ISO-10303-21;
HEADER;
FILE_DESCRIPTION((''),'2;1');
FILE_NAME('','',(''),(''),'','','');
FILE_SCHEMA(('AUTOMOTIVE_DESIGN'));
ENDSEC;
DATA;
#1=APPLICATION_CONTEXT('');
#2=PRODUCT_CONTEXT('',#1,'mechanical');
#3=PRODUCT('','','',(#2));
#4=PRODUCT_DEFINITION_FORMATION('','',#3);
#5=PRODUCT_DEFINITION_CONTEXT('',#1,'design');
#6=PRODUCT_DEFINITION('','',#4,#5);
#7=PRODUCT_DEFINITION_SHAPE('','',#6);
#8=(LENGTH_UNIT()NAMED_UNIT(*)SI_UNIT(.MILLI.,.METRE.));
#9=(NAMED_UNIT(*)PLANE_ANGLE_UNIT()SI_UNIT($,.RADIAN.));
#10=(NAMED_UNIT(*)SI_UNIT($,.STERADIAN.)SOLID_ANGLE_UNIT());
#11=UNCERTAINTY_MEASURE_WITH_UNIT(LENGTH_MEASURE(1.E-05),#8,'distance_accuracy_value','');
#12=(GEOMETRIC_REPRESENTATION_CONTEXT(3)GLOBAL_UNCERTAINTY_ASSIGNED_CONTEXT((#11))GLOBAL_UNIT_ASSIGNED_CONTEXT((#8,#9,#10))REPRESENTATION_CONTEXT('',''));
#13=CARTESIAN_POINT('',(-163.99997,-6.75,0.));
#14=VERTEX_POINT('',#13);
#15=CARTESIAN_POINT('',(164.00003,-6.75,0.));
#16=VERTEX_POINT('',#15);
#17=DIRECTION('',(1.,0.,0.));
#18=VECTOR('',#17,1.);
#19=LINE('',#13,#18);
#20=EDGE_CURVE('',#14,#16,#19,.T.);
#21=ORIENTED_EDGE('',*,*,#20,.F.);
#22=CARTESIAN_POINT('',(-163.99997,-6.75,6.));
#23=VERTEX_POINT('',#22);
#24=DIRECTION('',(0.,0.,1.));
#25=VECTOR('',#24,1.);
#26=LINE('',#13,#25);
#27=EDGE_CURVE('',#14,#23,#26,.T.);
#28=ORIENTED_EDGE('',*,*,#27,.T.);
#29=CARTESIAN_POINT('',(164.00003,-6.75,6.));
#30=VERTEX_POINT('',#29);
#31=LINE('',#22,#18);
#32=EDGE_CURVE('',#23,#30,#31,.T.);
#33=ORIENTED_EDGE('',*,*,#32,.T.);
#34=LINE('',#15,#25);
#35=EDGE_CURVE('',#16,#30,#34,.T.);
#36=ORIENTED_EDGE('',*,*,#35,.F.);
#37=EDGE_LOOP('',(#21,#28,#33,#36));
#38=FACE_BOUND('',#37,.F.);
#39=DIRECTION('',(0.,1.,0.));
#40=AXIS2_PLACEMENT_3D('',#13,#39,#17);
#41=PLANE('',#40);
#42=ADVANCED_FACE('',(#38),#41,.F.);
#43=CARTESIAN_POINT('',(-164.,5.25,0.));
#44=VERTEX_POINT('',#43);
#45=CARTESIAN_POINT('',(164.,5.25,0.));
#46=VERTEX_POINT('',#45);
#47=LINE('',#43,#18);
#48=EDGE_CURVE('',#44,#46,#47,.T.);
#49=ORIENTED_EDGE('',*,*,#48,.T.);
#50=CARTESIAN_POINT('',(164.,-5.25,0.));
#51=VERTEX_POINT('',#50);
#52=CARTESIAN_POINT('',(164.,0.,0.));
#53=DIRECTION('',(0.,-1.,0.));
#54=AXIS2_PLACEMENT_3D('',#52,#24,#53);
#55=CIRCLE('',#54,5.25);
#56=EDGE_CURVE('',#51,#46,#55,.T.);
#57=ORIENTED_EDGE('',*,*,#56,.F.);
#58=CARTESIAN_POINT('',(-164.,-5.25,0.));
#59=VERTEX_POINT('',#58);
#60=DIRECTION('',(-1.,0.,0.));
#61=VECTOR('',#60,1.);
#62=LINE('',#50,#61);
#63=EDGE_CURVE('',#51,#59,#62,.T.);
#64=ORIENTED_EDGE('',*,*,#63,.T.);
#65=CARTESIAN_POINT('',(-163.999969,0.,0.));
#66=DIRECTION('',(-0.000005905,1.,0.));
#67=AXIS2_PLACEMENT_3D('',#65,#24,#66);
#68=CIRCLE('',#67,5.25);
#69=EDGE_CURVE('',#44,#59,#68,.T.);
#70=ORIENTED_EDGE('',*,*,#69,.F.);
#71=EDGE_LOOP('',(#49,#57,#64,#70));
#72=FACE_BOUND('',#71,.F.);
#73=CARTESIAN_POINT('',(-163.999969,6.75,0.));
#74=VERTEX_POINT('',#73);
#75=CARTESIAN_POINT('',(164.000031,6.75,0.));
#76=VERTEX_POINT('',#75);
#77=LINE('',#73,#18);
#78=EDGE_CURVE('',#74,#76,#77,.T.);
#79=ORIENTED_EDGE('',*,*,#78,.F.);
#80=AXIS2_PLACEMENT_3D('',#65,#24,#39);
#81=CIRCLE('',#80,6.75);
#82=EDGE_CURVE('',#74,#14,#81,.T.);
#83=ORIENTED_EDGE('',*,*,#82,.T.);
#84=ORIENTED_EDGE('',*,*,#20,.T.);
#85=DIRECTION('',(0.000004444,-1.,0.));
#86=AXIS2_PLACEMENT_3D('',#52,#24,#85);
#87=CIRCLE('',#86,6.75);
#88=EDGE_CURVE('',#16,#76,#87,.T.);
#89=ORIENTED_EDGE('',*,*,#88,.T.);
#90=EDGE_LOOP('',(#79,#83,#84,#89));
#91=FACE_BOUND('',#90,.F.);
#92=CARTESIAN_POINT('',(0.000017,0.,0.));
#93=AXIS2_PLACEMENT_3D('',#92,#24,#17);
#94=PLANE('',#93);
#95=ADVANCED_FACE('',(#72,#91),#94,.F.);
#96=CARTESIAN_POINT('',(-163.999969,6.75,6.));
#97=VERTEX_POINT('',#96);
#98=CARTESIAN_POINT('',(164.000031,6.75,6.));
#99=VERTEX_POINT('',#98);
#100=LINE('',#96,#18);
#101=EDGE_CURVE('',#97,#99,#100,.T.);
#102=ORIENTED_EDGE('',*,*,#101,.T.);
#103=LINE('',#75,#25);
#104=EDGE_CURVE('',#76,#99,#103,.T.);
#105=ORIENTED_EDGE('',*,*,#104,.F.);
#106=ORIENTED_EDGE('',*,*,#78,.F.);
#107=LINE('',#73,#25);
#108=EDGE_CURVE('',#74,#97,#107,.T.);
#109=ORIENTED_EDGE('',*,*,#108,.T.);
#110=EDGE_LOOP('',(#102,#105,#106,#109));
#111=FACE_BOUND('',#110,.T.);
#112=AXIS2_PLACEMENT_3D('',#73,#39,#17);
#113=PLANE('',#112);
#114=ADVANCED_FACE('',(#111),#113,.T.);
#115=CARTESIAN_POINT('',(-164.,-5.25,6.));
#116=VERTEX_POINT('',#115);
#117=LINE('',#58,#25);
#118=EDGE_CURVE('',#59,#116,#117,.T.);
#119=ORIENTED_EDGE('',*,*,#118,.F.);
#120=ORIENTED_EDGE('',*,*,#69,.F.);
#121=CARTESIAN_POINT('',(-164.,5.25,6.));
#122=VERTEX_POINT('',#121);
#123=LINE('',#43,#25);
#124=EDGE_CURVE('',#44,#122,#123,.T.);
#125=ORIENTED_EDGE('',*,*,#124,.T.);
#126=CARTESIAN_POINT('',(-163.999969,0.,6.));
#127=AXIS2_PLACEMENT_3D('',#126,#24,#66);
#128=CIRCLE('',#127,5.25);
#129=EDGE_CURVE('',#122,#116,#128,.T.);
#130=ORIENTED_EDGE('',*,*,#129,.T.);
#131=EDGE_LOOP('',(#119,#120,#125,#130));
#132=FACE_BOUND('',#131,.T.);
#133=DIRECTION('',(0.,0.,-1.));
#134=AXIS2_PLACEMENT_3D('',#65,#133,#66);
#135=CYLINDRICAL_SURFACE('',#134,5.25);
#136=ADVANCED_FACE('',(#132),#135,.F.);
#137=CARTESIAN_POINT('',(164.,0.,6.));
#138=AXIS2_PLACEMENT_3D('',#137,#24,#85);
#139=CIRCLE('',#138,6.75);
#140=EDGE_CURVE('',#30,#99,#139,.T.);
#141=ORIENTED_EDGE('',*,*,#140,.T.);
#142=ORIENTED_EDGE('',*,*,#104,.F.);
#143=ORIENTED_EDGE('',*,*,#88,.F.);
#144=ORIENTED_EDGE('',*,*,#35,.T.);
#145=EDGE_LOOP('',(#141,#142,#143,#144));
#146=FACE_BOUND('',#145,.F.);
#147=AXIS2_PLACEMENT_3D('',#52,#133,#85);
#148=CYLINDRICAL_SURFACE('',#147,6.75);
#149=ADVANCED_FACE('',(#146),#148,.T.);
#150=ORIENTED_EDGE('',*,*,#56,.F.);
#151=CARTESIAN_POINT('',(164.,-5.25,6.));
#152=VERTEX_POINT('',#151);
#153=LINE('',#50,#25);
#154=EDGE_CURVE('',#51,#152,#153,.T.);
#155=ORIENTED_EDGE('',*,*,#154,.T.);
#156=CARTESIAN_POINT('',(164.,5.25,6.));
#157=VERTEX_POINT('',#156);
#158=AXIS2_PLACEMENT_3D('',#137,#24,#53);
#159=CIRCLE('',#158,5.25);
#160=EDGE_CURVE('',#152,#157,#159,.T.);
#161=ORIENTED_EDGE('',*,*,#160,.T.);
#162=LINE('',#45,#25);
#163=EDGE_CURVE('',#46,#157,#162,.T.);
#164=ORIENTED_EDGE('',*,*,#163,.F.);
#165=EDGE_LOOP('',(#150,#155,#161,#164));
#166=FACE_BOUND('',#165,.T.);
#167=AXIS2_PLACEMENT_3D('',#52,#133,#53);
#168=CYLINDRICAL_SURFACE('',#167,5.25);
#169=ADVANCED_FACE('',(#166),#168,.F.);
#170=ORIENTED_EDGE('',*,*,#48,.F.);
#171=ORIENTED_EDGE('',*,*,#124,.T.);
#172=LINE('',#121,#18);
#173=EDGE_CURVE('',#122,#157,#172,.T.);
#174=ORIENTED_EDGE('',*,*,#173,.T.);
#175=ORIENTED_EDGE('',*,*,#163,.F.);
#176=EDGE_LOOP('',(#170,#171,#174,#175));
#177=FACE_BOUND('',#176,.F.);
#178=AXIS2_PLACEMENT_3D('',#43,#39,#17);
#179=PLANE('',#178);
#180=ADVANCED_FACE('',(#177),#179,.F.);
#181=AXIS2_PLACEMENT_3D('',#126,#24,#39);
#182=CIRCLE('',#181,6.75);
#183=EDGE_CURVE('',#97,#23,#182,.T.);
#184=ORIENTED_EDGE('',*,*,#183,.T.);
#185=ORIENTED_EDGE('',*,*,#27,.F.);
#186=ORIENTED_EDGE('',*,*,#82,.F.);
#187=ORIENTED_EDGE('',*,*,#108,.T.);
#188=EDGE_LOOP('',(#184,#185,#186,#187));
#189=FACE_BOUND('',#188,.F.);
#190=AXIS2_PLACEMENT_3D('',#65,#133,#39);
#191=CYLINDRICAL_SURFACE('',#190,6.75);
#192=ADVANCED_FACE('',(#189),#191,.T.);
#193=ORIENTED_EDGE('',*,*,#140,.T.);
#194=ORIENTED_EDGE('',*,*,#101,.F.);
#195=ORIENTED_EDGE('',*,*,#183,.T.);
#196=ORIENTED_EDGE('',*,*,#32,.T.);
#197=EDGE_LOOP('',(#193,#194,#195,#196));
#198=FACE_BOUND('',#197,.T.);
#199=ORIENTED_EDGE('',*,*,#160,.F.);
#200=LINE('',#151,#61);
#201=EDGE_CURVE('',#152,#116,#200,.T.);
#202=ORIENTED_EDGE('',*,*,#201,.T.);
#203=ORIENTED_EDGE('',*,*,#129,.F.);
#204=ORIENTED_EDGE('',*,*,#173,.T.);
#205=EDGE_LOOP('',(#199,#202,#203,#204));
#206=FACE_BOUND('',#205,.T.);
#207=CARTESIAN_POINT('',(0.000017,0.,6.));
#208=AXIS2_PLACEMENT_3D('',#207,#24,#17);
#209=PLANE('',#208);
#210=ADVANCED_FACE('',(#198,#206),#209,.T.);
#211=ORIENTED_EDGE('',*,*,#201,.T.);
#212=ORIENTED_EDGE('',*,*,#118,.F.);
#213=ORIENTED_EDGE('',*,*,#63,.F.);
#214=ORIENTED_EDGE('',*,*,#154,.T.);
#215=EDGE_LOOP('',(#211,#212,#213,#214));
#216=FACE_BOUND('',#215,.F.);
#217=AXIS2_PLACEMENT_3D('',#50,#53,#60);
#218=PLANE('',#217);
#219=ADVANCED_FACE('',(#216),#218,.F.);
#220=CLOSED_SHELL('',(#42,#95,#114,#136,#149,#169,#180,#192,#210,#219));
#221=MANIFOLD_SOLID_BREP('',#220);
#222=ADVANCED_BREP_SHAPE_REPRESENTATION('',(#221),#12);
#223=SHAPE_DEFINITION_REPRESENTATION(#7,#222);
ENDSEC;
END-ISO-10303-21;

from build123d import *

# Parameters (mm, degrees)
PAD_DEPTH = 6


with BuildPart() as part:
    # Sketch → Pad (new body)
    with BuildSketch(Plane.XY):
        with BuildLine():
            ThreePointArc((-163.999969, 6.75), (-170.749969, 0), (-163.99997, -6.75))
            Line((-163.99997, -6.75), (164.00003, -6.75))
            ThreePointArc((164.00003, -6.75), (170.75, 0), (164.000031, 6.75))
            Line((-163.999969, 6.75), (164.000031, 6.75))
        make_face()
        with BuildLine():
            Line((-164, 5.25), (164, 5.25))
            ThreePointArc((164, -5.25), (169.25, 0), (164, 5.25))
            Line((164, -5.25), (-164, -5.25))
            ThreePointArc((-164, 5.25), (-169.249969, 0), (-164, -5.25))
        make_face(mode=Mode.SUBTRACT)
    extrude(amount=PAD_DEPTH)


solid = part.part
